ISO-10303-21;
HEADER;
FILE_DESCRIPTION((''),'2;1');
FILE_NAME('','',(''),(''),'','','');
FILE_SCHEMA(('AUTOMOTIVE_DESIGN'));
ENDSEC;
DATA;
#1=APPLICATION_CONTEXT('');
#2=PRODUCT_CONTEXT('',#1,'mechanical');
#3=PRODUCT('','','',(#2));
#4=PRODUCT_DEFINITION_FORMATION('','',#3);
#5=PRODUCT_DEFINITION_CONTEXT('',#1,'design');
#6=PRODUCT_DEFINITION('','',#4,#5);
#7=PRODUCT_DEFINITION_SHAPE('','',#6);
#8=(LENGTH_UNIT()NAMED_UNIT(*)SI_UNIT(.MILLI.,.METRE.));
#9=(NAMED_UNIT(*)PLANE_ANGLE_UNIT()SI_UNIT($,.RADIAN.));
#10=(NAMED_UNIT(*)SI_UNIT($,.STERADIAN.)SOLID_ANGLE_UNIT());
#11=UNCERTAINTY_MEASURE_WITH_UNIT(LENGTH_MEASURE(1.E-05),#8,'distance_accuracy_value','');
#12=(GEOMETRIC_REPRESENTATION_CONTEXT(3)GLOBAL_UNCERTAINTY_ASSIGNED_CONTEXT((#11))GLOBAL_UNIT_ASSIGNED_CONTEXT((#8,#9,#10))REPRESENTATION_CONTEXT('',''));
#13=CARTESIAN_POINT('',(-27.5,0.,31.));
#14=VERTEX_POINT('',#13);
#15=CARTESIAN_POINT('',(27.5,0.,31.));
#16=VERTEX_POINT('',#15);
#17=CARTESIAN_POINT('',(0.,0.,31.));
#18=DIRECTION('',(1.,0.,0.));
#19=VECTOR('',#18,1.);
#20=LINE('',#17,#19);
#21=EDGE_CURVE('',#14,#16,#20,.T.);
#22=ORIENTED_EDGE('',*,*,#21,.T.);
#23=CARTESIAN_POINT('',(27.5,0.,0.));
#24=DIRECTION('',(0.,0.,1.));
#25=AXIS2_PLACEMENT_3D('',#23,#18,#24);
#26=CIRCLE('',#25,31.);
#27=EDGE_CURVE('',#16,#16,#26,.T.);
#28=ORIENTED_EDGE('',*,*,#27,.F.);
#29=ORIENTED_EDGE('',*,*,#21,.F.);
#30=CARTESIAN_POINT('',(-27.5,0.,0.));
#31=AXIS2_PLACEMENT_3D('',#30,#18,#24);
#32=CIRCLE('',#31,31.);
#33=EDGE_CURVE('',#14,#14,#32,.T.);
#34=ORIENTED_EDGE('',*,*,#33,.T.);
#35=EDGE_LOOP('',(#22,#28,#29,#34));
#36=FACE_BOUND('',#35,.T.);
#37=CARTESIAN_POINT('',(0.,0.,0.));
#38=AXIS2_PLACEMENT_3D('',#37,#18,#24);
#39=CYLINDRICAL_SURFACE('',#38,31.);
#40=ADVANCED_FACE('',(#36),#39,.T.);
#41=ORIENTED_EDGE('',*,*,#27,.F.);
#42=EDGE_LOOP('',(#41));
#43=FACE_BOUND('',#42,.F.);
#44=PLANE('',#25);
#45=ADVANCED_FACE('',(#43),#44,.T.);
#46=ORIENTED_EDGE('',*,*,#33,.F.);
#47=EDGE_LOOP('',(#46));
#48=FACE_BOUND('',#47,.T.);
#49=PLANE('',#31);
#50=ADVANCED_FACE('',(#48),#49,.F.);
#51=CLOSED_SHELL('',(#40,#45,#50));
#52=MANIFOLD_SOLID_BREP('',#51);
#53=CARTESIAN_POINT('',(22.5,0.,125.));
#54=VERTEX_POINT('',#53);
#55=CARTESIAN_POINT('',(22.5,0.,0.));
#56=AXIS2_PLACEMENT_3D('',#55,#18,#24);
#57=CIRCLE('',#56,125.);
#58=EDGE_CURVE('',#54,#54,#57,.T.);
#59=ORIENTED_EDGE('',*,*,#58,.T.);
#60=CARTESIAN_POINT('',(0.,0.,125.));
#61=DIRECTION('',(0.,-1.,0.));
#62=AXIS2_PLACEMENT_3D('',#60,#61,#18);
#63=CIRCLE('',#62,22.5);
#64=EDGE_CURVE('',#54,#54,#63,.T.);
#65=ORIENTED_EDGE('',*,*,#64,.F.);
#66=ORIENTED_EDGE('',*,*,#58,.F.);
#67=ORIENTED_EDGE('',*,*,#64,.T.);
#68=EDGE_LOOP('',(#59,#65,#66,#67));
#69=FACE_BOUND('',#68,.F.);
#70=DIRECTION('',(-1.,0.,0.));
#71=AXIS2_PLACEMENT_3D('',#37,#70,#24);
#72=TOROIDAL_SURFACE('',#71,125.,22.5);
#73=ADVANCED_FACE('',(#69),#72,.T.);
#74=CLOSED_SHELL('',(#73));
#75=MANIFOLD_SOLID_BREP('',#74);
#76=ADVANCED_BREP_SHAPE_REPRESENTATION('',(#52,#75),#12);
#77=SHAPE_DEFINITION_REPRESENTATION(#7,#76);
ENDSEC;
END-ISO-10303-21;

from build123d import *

# Parameters (mm, degrees)
F0_R = 22.5
F0_W = 55
F0_H = 31


with BuildPart() as f1:
    # F0 (on Front) → F1 (revolve)
    with BuildSketch(Plane.XZ):
        with Locations((0, 125)):
            Circle(F0_R)
        with Locations((0, 15.5)):
            Rectangle(F0_W, F0_H)
    revolve(axis=Axis((0, 0, 0), (1, 0, 0)))


solid = f1.part
